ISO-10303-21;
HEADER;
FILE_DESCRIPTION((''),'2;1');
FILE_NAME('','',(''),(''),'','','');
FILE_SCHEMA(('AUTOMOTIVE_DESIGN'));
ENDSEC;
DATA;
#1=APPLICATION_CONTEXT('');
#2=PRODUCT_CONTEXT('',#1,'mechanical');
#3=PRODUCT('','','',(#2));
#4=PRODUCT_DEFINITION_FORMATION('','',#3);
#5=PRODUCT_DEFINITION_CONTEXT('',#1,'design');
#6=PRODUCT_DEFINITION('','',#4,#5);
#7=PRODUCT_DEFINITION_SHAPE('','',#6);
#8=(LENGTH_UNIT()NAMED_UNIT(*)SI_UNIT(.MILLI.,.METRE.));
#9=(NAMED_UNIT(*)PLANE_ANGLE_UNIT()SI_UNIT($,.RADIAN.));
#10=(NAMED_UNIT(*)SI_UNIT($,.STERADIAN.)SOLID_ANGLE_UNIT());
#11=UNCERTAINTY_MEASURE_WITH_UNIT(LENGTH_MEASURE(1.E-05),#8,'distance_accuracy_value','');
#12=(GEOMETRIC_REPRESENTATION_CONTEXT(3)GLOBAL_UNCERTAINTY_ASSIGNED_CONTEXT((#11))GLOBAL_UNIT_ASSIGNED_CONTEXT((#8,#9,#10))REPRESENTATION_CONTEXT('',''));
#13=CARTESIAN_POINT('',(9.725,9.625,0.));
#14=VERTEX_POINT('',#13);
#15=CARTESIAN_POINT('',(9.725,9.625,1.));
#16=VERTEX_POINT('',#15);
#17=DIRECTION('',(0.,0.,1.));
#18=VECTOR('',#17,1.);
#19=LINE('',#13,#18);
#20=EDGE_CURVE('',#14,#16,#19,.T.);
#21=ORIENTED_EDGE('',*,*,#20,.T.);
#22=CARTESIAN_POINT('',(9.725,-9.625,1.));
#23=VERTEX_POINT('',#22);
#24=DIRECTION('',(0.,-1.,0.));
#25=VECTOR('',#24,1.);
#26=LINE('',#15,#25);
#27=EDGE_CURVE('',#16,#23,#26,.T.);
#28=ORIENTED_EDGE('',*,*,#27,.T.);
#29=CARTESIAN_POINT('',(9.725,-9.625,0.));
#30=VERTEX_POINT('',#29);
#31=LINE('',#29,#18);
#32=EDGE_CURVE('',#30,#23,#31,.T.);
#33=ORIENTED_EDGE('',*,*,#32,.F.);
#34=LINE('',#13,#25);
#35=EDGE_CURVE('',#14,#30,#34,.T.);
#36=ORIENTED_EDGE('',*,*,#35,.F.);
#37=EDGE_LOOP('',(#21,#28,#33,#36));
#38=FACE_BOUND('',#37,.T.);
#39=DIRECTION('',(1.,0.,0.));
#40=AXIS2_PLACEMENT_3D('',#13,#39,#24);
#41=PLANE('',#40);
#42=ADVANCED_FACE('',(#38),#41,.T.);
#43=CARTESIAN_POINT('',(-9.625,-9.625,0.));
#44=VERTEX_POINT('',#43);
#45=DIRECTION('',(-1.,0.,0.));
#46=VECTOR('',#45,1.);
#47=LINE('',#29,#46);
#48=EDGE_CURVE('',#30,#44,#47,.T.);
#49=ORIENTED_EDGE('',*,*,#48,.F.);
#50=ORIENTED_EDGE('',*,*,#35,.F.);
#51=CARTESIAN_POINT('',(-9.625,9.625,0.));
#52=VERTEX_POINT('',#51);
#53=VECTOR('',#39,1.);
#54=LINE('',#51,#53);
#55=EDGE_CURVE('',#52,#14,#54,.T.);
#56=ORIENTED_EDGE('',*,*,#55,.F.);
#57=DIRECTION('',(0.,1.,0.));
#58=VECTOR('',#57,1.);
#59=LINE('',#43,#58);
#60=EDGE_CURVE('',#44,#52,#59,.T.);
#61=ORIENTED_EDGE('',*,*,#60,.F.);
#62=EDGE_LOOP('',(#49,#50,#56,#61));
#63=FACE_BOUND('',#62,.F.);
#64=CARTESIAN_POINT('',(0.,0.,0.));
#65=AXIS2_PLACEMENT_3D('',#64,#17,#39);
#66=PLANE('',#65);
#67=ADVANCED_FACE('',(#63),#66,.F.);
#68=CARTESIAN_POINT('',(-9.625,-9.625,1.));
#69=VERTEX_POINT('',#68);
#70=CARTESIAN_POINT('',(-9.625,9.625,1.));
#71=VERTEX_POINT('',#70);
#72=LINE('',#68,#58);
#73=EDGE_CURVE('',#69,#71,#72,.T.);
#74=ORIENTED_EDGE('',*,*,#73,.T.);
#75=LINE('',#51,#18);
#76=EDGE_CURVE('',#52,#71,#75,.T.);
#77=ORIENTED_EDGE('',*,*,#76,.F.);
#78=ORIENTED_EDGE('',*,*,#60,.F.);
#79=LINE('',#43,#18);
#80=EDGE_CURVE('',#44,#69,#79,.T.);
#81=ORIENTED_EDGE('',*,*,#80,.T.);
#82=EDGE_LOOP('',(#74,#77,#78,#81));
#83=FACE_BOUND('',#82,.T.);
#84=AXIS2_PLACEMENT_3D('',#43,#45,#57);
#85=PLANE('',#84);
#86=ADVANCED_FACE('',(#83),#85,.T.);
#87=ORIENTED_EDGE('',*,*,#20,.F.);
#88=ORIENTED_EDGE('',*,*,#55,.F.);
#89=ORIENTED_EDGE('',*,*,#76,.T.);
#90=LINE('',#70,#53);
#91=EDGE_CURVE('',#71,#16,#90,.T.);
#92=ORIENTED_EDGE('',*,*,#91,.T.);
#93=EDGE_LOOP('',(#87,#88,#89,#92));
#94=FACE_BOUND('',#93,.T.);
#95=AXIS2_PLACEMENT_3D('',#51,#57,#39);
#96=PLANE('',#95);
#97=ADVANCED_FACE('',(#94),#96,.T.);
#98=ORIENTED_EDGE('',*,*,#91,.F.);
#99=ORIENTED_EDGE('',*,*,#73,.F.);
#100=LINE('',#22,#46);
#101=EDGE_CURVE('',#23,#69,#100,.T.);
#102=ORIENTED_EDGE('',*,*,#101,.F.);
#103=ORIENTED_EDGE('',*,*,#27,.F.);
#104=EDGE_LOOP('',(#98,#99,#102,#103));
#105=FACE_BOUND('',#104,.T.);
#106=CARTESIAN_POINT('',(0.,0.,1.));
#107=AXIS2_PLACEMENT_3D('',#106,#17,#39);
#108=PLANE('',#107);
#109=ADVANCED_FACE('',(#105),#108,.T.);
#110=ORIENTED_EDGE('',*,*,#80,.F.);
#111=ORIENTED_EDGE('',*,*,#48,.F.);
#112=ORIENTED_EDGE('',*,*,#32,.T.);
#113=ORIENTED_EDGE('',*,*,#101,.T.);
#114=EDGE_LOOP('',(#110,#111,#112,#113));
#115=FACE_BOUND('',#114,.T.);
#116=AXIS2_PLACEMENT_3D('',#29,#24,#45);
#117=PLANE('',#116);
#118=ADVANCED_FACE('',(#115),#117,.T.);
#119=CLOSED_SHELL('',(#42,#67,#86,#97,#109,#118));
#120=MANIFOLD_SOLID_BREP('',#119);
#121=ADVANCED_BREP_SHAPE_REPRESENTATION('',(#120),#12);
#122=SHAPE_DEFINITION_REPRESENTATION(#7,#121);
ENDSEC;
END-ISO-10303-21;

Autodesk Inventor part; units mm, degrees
ref_plane "YZ Plane" through (0, 0, 0) normal (1, 0, 0) x (0, 1, 0)
ref_plane "XZ Plane" through (0, 0, 0) normal (0, 1, 0) x (-1, 0, 0)
ref_plane "XY Plane" through (0, 0, 0) normal (0, 0, 1) x (1, 0, 0)
sketch "300BGA, SPINN2_V2_71" plane through (0, 0, 0) normal (0, 0, 1) x (1, 0, 0)
  line L0 (-9.625, -9.625) -> (-9.625, 9.625)
  line L1 (-9.625, 9.625) -> (9.725, 9.625)
  line L2 (9.725, 9.625) -> (9.725, -9.625)
  line L3 (9.725, -9.625) -> (-9.625, -9.625)
extrude "Extrusion1" add sketch "300BGA, SPINN2_V2_71" along normal blind 1
properties part number "SPINN2_V2"
